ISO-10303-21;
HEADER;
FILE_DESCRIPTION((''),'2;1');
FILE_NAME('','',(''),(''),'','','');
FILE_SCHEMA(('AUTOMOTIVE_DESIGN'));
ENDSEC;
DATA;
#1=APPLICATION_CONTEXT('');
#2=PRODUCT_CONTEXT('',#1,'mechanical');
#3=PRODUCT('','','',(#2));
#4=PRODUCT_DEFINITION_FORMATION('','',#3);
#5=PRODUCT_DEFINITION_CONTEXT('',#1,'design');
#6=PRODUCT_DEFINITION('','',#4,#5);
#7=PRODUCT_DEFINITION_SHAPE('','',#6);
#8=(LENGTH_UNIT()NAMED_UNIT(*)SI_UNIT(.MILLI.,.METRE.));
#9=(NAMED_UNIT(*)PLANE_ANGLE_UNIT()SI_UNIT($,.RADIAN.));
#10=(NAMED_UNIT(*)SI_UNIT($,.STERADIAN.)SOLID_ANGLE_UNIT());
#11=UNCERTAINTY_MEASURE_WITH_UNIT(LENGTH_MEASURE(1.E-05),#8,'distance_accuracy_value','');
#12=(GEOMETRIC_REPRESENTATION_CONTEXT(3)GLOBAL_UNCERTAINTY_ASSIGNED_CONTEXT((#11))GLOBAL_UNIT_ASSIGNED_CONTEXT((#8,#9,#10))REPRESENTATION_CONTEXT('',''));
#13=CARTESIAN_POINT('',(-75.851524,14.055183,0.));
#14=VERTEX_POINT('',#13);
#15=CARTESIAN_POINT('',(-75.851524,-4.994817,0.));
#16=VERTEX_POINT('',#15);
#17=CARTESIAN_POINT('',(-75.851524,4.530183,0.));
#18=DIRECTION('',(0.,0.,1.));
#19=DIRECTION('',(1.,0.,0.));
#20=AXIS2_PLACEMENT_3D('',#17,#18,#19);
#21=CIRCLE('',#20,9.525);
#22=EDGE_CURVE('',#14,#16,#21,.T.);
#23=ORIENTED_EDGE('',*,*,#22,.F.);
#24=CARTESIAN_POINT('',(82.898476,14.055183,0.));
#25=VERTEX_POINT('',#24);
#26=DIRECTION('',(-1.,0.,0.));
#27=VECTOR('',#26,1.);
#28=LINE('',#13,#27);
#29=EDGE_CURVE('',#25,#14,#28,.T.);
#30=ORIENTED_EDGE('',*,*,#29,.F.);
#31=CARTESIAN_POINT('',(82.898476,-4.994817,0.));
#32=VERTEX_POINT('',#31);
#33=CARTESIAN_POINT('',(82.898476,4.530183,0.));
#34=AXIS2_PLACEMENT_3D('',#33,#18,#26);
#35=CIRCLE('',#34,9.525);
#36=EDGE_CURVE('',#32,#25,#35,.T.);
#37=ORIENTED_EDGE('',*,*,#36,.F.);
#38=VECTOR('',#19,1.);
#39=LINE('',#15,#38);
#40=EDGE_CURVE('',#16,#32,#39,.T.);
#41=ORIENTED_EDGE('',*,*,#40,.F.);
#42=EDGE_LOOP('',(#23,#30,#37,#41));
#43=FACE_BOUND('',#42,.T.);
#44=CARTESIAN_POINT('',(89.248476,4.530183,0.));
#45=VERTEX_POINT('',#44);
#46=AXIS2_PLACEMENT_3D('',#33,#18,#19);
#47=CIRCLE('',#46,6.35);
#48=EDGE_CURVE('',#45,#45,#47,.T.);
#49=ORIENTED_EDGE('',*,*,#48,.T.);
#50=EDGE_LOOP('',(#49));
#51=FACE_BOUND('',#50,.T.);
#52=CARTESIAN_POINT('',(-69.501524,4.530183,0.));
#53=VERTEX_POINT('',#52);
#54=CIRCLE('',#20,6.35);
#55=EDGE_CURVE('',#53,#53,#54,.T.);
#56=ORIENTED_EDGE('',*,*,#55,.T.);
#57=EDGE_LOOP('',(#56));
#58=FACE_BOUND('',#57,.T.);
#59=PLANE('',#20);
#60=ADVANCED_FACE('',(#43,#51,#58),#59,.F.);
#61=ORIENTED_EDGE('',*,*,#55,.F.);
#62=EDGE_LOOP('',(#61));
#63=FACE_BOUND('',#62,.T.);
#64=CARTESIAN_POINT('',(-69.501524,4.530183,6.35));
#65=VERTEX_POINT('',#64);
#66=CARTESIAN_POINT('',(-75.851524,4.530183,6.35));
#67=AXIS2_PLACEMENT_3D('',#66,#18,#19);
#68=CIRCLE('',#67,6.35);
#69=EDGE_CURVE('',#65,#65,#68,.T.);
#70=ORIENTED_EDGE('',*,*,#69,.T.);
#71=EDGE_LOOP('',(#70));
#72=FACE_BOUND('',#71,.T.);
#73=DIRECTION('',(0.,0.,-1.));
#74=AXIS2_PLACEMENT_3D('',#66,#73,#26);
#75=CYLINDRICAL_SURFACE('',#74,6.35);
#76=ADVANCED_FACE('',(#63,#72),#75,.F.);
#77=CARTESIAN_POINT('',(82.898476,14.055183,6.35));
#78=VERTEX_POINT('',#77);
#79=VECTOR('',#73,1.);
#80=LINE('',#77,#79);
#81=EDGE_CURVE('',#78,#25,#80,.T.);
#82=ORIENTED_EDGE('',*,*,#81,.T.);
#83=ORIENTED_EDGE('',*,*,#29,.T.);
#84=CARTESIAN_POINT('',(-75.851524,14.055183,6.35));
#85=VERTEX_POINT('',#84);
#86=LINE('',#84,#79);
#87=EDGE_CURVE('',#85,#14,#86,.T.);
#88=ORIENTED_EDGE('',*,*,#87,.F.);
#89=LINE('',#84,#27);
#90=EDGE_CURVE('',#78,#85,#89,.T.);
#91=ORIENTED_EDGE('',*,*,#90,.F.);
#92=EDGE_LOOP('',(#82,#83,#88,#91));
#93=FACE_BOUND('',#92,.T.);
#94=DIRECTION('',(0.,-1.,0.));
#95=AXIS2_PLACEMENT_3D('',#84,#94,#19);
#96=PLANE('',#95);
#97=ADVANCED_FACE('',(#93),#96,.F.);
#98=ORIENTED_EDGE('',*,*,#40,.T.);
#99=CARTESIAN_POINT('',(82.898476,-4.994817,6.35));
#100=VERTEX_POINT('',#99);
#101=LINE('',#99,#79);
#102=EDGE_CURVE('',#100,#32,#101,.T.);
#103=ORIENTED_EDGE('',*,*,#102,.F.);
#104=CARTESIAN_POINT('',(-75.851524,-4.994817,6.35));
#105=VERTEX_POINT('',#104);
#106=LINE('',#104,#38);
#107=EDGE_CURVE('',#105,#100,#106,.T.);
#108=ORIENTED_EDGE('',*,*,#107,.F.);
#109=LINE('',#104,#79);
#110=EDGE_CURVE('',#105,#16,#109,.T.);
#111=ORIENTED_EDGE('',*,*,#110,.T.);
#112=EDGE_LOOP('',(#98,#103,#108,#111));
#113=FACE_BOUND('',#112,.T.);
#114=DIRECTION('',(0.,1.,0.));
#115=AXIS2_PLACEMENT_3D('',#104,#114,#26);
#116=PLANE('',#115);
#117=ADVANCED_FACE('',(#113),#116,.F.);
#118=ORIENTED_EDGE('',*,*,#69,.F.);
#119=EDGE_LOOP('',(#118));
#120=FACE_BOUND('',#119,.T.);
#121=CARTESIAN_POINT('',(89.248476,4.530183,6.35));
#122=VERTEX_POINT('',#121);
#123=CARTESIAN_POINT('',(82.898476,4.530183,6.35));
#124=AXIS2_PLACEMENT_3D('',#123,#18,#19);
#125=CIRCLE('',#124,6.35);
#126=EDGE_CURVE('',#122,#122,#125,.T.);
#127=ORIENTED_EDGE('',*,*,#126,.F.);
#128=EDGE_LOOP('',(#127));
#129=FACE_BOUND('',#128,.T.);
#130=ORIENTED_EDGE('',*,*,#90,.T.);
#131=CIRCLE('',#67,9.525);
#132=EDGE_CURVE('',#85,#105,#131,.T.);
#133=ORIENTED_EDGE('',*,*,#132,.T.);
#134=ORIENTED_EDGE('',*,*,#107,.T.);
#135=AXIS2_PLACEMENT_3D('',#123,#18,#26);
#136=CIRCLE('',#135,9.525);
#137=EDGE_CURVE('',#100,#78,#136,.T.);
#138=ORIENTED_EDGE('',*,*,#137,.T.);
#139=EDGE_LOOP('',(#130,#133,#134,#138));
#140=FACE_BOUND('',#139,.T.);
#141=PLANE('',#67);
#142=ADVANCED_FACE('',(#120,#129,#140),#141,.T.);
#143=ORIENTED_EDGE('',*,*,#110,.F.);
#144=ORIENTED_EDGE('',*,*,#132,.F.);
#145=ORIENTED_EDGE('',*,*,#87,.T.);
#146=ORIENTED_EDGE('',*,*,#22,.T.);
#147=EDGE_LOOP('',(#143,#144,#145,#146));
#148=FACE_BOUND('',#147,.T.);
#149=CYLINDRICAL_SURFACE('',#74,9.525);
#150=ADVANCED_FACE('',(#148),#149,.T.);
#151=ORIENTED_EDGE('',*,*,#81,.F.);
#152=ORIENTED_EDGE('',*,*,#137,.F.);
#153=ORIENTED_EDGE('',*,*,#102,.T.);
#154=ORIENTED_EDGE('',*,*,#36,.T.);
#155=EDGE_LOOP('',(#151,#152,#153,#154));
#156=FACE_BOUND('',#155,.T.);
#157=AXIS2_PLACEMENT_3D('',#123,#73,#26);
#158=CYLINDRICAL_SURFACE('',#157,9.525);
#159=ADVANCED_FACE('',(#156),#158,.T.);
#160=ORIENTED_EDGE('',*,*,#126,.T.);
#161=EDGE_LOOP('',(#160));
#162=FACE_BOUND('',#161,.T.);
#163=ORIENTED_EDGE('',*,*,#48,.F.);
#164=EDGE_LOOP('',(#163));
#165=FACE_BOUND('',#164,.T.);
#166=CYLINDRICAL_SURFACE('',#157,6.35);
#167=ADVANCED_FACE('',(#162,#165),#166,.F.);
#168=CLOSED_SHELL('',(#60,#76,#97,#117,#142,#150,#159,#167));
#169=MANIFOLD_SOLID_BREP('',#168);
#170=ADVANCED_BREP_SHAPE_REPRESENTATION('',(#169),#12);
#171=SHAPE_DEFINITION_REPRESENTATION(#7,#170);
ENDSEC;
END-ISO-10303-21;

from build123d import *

# Parameters (mm, degrees)
SKETCH1_R           = 6.35
BOSS_EXTRUDE1_DEPTH = 6.35


with BuildPart() as part:
    # Sketch1 → Boss-Extrude1 (new body)
    with BuildSketch(Plane.XY):
        with BuildLine():
            Line((-75.85152439, 14.055182927), (82.89847561, 14.055182927))
            ThreePointArc((82.89847561, 14.055182927), (92.42347561, 4.530182927), (82.89847561, -4.994817073))
            Line((82.89847561, -4.994817073), (-75.85152439, -4.994817073))
            ThreePointArc((-75.85152439, -4.994817073), (-85.37652439, 4.530182927), (-75.85152439, 14.055182927))
        make_face()
        with Locations((-75.85152439, 4.530182927)):
            Circle(SKETCH1_R, mode=Mode.SUBTRACT)
        with Locations((82.89847561, 4.530182927)):
            Circle(SKETCH1_R, mode=Mode.SUBTRACT)
    extrude(amount=BOSS_EXTRUDE1_DEPTH)


solid = part.part
